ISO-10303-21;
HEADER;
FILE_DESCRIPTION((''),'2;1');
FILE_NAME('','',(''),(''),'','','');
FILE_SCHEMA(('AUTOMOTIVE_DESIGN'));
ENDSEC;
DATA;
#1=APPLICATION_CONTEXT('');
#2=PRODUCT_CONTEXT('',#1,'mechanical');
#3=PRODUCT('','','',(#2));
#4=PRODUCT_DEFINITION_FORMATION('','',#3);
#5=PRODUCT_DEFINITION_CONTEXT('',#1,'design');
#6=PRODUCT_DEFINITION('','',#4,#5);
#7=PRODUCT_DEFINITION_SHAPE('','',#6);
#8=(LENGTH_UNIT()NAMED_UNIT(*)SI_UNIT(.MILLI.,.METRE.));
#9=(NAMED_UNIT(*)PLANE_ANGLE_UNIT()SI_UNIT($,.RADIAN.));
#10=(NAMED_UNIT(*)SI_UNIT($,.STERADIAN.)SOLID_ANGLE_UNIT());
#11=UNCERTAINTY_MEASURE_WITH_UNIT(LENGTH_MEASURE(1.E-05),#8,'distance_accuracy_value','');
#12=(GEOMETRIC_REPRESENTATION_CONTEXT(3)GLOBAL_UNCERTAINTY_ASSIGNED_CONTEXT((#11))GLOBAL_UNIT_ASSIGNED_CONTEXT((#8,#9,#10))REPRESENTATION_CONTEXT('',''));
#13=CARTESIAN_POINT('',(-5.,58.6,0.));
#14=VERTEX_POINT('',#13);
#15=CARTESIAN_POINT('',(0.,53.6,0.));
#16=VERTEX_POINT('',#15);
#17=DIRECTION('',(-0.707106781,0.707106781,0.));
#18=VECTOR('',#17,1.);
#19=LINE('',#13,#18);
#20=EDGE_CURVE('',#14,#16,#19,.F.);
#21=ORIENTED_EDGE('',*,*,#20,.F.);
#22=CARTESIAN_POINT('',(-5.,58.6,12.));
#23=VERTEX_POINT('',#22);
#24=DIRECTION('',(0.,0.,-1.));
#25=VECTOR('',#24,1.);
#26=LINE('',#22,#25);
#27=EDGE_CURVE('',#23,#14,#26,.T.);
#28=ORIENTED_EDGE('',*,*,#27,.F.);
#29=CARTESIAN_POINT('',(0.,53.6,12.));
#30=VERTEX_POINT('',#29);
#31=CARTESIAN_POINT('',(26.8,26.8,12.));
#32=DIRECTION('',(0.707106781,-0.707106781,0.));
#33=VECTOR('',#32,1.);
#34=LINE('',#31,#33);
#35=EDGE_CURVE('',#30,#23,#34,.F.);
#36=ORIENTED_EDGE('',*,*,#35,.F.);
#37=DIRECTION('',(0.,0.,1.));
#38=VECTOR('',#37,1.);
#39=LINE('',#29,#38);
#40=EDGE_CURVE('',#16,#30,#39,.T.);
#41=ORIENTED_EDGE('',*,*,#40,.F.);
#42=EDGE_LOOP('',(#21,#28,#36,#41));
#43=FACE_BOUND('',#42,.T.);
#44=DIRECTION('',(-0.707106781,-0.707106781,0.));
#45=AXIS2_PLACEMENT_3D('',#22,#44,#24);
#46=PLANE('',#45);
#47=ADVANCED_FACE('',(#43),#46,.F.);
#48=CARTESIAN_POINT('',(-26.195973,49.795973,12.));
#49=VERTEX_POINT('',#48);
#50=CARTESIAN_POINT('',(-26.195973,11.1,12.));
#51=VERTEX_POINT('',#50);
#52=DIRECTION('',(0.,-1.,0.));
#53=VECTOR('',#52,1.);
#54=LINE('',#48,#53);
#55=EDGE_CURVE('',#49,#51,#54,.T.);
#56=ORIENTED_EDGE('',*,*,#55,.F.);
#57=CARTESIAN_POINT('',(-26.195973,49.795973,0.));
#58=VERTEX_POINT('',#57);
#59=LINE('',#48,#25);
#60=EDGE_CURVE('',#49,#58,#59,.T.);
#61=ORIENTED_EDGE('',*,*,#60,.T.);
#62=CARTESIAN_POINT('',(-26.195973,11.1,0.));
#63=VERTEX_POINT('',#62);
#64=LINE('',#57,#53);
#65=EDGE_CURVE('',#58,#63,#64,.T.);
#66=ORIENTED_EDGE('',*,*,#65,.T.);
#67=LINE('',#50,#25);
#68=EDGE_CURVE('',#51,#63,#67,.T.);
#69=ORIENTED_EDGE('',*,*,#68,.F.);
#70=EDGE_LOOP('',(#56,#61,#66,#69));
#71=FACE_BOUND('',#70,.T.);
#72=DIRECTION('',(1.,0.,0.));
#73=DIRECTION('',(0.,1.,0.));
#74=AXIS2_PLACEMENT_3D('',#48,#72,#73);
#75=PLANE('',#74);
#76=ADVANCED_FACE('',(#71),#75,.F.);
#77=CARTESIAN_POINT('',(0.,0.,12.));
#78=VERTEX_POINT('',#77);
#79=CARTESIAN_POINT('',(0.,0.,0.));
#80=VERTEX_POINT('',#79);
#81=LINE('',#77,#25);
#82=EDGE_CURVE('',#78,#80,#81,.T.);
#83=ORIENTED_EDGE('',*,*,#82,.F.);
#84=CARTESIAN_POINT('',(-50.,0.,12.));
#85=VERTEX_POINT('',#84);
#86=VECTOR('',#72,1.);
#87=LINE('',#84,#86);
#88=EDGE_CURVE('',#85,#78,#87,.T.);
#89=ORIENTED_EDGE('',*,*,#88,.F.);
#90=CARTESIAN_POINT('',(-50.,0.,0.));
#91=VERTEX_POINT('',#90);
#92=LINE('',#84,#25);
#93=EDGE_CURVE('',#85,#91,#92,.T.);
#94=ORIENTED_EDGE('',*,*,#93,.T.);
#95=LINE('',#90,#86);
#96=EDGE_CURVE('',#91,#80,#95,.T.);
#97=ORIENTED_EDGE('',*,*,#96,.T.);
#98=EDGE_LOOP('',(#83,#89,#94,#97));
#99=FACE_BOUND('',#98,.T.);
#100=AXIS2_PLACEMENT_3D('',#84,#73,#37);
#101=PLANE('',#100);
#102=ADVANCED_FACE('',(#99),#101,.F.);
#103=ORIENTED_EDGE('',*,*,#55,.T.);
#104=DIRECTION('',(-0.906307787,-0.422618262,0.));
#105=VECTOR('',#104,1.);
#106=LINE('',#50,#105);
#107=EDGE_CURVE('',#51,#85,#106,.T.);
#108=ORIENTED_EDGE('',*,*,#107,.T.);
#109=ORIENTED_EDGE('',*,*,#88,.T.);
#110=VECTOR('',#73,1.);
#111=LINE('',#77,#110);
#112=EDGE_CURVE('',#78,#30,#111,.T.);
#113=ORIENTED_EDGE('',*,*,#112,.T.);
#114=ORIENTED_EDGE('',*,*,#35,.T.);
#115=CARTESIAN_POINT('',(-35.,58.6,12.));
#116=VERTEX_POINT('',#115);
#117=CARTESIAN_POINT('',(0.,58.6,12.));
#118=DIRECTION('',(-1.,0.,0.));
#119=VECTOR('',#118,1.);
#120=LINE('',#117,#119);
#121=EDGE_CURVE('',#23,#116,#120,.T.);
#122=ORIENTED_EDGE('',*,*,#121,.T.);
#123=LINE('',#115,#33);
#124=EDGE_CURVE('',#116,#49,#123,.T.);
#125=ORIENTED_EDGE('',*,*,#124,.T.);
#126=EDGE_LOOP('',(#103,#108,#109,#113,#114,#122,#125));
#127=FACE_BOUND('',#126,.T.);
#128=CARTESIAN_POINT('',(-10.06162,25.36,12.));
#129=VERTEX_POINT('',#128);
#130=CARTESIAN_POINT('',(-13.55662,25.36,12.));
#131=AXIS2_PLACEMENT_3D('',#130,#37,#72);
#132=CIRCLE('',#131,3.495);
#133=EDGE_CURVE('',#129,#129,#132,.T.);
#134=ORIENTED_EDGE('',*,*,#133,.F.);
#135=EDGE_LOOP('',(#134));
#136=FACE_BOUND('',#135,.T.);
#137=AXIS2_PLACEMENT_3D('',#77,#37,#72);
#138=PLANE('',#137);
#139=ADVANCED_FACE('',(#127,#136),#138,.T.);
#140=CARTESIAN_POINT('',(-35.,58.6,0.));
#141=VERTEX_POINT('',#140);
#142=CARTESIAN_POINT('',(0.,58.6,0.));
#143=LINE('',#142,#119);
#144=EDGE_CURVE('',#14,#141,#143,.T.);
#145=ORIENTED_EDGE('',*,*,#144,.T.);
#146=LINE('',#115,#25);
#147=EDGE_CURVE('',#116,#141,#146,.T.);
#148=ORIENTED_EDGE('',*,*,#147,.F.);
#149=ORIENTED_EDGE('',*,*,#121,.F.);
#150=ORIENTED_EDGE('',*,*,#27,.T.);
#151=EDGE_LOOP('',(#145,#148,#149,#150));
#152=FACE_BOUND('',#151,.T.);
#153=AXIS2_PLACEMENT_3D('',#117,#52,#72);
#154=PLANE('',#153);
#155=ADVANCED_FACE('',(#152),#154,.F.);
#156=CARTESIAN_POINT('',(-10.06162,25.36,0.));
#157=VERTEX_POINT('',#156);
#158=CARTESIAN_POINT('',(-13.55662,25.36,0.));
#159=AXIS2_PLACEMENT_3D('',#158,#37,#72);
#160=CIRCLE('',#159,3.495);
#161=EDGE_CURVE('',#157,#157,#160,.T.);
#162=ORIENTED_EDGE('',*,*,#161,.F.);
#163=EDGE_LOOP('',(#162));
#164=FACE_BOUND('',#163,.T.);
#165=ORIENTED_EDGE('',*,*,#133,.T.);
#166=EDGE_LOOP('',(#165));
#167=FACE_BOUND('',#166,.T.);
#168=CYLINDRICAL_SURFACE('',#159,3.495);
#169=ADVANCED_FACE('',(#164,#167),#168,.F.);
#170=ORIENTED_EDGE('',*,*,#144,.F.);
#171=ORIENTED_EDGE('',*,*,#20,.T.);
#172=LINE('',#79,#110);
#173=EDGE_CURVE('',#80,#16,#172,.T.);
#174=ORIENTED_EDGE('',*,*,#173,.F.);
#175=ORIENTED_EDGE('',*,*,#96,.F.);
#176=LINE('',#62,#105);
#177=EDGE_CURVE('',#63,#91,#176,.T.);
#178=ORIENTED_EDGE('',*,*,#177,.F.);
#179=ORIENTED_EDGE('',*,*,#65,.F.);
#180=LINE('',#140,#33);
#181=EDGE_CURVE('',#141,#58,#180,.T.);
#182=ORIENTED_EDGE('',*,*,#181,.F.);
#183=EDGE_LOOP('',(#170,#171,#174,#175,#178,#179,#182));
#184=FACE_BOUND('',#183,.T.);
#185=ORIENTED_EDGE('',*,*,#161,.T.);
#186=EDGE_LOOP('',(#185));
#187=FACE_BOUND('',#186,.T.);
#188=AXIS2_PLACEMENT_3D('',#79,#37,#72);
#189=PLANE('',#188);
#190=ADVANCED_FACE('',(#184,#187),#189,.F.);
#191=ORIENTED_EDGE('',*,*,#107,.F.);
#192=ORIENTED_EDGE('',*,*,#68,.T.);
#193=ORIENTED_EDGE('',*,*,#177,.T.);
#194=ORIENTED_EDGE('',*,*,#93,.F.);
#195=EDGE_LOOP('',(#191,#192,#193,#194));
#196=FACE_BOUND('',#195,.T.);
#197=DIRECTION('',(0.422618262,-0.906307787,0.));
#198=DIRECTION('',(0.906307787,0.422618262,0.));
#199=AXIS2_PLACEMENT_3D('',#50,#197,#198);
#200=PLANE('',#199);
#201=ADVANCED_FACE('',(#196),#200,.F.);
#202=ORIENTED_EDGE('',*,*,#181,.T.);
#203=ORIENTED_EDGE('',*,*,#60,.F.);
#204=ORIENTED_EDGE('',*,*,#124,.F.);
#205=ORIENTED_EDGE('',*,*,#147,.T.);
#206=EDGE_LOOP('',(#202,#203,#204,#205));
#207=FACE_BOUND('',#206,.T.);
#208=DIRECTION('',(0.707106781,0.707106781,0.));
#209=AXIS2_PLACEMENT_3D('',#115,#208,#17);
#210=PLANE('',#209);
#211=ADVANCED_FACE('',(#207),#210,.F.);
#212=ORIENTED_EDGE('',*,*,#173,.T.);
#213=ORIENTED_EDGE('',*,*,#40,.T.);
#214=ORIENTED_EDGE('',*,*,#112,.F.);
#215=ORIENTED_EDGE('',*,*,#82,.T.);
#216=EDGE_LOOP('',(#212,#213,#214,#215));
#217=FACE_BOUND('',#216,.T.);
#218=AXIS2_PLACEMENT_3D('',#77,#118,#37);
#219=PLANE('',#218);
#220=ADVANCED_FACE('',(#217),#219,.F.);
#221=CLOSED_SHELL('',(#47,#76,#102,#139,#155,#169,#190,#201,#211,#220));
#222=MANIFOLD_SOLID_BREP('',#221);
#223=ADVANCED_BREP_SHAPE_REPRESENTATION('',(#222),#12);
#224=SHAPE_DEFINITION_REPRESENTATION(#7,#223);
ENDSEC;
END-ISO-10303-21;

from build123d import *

# Parameters (mm, degrees)
BOSS_EXTRUDE1_DEPTH = 12
SKETCH3_R           = 3.495
CUT_EXTRUDE2_DEPTH  = 78.961272437
CHAMFER1_SIZE       = 5


with BuildPart() as part:
    # Sketch1 → Boss-Extrude1 (new body)
    with BuildSketch(Plane.XY):
        Polygon((0, 0), (0, 58.6), (-35, 58.6), (-26.195973182, 49.795973182), (-26.195973182, 11.1), (-50, 0), align=None)
    extrude(amount=BOSS_EXTRUDE1_DEPTH)

    # Sketch3 → Cut-Extrude2 (cut, through all)
    with BuildSketch(Plane.XY.offset(12)):
        with Locations((-13.556619589, 25.36)):
            Circle(SKETCH3_R)
    extrude(amount=-CUT_EXTRUDE2_DEPTH, mode=Mode.SUBTRACT)

    # Chamfer1
    chamfer1_edges = [part.edges().sort_by_distance(p)[0] for p in [
        (0, 58.6, 6),
    ]]
    chamfer(chamfer1_edges, length=CHAMFER1_SIZE)


solid = part.part
